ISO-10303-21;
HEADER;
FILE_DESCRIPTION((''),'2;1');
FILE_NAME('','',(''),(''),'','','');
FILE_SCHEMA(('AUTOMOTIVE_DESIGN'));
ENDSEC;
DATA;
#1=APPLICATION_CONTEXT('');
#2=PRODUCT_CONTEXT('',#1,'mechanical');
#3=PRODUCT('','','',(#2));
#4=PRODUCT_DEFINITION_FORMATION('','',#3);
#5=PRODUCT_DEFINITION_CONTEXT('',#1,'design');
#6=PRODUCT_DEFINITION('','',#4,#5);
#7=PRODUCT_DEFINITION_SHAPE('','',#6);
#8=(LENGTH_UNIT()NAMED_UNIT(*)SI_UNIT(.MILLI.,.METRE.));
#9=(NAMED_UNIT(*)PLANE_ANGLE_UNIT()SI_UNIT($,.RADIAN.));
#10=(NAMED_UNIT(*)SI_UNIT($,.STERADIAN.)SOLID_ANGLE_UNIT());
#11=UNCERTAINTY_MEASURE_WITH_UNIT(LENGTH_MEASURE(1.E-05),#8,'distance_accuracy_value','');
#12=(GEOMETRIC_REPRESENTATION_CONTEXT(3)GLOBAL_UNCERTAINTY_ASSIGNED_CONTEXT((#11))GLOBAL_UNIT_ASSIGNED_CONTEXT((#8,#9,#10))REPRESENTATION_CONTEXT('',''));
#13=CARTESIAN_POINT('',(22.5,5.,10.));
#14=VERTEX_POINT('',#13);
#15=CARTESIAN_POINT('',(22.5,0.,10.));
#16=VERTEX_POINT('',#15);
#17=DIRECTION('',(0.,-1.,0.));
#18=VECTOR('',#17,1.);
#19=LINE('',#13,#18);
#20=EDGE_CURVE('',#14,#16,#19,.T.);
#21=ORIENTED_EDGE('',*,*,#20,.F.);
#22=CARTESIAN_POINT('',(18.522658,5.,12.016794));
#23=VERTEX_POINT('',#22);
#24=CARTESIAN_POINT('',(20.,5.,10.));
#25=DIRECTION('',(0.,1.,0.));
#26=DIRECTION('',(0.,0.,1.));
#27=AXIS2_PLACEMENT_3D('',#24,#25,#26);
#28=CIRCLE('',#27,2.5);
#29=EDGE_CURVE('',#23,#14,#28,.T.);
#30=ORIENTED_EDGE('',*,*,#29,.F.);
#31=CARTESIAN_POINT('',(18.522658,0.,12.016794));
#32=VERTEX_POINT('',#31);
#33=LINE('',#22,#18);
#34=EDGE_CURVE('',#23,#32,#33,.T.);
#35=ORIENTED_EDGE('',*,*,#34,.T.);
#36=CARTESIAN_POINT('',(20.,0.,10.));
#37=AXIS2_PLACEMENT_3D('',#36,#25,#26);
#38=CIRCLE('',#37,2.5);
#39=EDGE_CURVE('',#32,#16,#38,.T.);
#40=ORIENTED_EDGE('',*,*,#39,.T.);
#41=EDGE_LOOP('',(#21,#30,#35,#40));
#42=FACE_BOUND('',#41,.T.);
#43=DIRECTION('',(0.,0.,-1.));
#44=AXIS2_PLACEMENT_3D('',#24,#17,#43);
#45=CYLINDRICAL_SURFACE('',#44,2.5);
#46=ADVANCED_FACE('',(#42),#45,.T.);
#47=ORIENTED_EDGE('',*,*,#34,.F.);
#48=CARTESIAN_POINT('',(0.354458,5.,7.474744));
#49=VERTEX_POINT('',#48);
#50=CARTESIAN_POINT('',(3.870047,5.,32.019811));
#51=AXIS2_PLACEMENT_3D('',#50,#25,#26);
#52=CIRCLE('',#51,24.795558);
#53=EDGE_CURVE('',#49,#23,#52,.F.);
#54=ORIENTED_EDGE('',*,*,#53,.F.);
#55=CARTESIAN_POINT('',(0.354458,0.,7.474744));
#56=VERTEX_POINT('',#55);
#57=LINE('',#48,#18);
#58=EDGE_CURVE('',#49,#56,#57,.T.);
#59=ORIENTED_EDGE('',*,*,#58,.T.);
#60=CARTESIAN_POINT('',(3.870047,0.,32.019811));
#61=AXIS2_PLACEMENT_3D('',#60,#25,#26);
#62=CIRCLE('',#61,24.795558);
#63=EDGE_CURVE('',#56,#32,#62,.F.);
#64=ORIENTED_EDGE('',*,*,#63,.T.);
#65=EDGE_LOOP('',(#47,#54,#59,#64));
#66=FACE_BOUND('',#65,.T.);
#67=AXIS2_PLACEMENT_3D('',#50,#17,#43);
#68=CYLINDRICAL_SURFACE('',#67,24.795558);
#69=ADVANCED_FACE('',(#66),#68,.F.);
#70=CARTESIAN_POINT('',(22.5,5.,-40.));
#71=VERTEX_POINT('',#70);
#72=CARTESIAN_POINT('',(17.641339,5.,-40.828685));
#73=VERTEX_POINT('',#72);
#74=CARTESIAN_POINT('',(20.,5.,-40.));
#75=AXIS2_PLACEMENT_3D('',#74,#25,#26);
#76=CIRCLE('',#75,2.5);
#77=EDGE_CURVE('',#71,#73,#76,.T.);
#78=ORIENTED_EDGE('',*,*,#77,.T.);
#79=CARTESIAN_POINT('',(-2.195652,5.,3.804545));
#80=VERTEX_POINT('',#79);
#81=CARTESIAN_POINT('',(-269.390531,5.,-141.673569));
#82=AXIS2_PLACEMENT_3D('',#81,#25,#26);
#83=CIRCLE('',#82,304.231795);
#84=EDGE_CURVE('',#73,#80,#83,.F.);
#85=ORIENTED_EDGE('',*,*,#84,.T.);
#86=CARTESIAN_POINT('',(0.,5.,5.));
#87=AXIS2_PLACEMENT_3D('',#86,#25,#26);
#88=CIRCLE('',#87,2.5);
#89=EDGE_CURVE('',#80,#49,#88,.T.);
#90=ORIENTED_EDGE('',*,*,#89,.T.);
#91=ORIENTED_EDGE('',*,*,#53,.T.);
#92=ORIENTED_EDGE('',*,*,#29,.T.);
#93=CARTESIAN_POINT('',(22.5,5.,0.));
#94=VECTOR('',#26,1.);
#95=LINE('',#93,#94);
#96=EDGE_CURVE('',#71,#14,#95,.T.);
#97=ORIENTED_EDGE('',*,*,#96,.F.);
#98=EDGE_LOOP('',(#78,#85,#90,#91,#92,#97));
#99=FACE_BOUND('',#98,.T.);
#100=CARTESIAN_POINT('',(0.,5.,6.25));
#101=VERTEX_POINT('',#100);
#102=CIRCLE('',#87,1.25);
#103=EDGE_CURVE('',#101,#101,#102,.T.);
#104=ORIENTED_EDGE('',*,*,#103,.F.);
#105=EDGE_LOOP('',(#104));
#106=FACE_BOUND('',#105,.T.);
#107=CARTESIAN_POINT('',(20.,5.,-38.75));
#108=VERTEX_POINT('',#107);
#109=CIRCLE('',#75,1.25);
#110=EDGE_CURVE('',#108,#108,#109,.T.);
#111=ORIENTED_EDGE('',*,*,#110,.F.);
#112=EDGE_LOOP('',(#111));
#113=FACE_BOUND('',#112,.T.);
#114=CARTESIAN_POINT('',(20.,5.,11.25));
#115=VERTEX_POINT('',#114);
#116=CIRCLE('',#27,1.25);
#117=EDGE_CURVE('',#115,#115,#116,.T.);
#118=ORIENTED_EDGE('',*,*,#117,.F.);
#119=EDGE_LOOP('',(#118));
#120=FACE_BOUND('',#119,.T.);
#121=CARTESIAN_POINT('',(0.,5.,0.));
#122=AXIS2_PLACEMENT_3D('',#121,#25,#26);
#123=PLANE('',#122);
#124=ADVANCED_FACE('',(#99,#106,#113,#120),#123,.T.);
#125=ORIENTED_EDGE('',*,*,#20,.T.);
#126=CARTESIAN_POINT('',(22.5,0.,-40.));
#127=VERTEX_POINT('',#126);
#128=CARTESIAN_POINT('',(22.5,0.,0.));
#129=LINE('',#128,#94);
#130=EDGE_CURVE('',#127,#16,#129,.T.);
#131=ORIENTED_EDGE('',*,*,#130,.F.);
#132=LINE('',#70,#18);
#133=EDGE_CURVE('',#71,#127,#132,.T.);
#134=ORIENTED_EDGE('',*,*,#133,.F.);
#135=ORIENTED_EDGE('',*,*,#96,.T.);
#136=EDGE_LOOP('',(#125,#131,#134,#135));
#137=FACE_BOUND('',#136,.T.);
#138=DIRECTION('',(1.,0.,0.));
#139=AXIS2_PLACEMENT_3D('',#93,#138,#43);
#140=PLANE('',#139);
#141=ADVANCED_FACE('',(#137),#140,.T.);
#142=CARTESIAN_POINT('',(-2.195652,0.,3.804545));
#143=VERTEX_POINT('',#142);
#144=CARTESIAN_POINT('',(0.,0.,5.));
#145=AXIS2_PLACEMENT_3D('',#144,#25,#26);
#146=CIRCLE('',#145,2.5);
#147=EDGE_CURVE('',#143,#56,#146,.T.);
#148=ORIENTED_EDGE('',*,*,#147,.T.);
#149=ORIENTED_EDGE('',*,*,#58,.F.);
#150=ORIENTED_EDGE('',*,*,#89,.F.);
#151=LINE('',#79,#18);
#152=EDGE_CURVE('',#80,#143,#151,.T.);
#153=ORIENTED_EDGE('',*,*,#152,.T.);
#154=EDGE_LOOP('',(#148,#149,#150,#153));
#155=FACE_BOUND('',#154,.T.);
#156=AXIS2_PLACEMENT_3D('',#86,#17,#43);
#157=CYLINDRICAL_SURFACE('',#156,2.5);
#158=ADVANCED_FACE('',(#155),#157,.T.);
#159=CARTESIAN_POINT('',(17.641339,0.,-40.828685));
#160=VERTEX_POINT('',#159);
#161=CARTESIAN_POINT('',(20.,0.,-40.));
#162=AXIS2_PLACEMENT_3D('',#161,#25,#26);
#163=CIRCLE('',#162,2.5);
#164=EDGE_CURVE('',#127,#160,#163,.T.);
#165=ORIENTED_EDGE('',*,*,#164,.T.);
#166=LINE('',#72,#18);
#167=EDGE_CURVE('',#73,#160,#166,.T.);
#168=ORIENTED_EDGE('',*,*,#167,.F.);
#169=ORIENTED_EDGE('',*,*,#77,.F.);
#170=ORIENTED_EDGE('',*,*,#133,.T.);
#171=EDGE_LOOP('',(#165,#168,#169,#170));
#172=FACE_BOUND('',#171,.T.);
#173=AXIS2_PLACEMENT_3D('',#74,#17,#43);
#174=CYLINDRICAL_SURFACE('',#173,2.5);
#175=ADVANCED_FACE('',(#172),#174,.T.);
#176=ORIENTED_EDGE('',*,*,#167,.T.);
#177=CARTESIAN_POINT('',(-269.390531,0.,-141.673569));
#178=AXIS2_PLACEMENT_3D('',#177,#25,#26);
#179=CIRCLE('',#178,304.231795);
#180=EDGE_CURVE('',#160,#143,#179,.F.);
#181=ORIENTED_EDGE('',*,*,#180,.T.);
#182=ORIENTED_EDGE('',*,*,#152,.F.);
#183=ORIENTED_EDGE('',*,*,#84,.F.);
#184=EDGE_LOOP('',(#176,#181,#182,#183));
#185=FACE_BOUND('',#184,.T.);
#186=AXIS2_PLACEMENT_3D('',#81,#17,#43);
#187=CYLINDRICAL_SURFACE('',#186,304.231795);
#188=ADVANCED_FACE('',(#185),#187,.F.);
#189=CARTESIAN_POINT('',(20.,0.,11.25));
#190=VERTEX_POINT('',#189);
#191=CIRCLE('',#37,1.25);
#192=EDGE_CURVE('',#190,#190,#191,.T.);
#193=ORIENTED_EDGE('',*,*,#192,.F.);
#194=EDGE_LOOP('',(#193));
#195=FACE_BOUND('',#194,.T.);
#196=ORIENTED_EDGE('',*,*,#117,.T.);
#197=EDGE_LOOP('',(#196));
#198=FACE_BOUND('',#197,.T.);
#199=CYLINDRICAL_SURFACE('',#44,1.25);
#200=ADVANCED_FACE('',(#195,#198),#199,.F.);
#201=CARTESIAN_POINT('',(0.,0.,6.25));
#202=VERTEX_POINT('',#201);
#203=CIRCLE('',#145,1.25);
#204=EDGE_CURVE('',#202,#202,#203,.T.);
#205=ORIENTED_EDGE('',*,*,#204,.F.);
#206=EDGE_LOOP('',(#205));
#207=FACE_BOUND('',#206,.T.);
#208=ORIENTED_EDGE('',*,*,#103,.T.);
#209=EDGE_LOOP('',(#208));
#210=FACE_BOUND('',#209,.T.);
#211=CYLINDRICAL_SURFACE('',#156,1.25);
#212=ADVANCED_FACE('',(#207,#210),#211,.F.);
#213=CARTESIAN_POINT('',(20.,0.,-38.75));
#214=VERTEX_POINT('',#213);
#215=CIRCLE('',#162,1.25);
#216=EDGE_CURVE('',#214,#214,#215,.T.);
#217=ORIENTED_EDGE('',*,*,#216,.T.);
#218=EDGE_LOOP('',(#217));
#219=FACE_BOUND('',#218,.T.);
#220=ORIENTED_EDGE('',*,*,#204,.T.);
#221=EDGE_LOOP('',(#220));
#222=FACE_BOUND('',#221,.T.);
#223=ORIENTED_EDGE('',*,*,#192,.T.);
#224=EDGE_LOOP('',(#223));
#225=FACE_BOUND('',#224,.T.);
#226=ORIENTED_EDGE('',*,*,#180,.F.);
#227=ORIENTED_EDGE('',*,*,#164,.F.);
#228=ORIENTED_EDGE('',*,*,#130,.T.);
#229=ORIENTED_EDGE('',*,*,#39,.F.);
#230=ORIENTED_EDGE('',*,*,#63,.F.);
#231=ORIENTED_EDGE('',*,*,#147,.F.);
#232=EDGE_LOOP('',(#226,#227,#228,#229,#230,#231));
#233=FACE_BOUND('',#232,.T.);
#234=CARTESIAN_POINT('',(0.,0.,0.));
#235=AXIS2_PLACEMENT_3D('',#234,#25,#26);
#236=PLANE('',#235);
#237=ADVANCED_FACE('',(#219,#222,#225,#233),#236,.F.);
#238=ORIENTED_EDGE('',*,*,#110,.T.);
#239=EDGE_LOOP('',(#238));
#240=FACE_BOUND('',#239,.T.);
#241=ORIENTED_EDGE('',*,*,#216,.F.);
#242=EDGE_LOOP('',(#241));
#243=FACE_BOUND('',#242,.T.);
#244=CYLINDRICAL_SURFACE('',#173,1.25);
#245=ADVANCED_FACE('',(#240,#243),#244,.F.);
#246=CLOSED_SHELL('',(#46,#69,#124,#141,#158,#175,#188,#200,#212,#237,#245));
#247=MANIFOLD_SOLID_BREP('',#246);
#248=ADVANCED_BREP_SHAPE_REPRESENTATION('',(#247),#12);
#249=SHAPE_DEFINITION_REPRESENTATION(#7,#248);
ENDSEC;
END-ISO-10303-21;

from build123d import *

# Parameters (mm, degrees)
SKETCH1_R           = 2.5
SKETCH1_R_2         = 1.25
BOSS_EXTRUDE1_DEPTH = 5


with BuildPart() as part:
    # Sketch1 → Boss-Extrude1 (new body)
    # profile 1 of 4: a face of its own
    with BuildSketch(Plane(origin=(0, 0, 0), x_dir=(1, 0, 0), z_dir=(0, 1, 0))):
        with Locations((0, -5)):
            Circle(SKETCH1_R)
        with Locations(Location((0, -5, 0), (0, 0, 270))):
            Circle(SKETCH1_R_2, mode=Mode.SUBTRACT)
    # profile 2 of 4: a face of its own
    with BuildSketch(Plane(origin=(0, 0, 0), x_dir=(1, 0, 0), z_dir=(0, 1, 0))):
        with BuildLine():
            Line((22.5, -10), (22.5, 40))
            ThreePointArc((22.5, 40), (19.579674257, 37.535588048), (17.641338984, 40.828684628))
            ThreePointArc((17.641338984, 40.828684628), (8.619996831, 18.113334742), (-2.195652157, -3.80454544))
            ThreePointArc((-2.195652157, -3.80454544), (0.616793972, -2.577281445), (2.5, -5))
            ThreePointArc((2.5, -5), (1.888934091, -6.637659305), (0.354457601, -7.474744393))
            ThreePointArc((0.354457601, -7.474744393), (9.883853248, -7.964587007), (18.522657697, -12.016794417))
            ThreePointArc((18.522657697, -12.016794417), (18.869370918, -7.770274035), (22.5, -10))
        make_face()
    # profile 3 of 4: a face of its own
    with BuildSketch(Plane(origin=(0, 0, 0), x_dir=(1, 0, 0), z_dir=(0, 1, 0))):
        with Locations((20, -10)):
            Circle(SKETCH1_R)
        with Locations(Location((20, -10, 0), (0, 0, 270))):
            Circle(SKETCH1_R_2, mode=Mode.SUBTRACT)
    # profile 4 of 4: a face of its own
    with BuildSketch(Plane(origin=(0, 0, 0), x_dir=(1, 0, 0), z_dir=(0, 1, 0))):
        with Locations((20, 40)):
            Circle(SKETCH1_R)
        with Locations(Location((20, 40, 0), (0, 0, 270))):
            Circle(SKETCH1_R_2, mode=Mode.SUBTRACT)
    extrude(amount=BOSS_EXTRUDE1_DEPTH)


solid = part.part
